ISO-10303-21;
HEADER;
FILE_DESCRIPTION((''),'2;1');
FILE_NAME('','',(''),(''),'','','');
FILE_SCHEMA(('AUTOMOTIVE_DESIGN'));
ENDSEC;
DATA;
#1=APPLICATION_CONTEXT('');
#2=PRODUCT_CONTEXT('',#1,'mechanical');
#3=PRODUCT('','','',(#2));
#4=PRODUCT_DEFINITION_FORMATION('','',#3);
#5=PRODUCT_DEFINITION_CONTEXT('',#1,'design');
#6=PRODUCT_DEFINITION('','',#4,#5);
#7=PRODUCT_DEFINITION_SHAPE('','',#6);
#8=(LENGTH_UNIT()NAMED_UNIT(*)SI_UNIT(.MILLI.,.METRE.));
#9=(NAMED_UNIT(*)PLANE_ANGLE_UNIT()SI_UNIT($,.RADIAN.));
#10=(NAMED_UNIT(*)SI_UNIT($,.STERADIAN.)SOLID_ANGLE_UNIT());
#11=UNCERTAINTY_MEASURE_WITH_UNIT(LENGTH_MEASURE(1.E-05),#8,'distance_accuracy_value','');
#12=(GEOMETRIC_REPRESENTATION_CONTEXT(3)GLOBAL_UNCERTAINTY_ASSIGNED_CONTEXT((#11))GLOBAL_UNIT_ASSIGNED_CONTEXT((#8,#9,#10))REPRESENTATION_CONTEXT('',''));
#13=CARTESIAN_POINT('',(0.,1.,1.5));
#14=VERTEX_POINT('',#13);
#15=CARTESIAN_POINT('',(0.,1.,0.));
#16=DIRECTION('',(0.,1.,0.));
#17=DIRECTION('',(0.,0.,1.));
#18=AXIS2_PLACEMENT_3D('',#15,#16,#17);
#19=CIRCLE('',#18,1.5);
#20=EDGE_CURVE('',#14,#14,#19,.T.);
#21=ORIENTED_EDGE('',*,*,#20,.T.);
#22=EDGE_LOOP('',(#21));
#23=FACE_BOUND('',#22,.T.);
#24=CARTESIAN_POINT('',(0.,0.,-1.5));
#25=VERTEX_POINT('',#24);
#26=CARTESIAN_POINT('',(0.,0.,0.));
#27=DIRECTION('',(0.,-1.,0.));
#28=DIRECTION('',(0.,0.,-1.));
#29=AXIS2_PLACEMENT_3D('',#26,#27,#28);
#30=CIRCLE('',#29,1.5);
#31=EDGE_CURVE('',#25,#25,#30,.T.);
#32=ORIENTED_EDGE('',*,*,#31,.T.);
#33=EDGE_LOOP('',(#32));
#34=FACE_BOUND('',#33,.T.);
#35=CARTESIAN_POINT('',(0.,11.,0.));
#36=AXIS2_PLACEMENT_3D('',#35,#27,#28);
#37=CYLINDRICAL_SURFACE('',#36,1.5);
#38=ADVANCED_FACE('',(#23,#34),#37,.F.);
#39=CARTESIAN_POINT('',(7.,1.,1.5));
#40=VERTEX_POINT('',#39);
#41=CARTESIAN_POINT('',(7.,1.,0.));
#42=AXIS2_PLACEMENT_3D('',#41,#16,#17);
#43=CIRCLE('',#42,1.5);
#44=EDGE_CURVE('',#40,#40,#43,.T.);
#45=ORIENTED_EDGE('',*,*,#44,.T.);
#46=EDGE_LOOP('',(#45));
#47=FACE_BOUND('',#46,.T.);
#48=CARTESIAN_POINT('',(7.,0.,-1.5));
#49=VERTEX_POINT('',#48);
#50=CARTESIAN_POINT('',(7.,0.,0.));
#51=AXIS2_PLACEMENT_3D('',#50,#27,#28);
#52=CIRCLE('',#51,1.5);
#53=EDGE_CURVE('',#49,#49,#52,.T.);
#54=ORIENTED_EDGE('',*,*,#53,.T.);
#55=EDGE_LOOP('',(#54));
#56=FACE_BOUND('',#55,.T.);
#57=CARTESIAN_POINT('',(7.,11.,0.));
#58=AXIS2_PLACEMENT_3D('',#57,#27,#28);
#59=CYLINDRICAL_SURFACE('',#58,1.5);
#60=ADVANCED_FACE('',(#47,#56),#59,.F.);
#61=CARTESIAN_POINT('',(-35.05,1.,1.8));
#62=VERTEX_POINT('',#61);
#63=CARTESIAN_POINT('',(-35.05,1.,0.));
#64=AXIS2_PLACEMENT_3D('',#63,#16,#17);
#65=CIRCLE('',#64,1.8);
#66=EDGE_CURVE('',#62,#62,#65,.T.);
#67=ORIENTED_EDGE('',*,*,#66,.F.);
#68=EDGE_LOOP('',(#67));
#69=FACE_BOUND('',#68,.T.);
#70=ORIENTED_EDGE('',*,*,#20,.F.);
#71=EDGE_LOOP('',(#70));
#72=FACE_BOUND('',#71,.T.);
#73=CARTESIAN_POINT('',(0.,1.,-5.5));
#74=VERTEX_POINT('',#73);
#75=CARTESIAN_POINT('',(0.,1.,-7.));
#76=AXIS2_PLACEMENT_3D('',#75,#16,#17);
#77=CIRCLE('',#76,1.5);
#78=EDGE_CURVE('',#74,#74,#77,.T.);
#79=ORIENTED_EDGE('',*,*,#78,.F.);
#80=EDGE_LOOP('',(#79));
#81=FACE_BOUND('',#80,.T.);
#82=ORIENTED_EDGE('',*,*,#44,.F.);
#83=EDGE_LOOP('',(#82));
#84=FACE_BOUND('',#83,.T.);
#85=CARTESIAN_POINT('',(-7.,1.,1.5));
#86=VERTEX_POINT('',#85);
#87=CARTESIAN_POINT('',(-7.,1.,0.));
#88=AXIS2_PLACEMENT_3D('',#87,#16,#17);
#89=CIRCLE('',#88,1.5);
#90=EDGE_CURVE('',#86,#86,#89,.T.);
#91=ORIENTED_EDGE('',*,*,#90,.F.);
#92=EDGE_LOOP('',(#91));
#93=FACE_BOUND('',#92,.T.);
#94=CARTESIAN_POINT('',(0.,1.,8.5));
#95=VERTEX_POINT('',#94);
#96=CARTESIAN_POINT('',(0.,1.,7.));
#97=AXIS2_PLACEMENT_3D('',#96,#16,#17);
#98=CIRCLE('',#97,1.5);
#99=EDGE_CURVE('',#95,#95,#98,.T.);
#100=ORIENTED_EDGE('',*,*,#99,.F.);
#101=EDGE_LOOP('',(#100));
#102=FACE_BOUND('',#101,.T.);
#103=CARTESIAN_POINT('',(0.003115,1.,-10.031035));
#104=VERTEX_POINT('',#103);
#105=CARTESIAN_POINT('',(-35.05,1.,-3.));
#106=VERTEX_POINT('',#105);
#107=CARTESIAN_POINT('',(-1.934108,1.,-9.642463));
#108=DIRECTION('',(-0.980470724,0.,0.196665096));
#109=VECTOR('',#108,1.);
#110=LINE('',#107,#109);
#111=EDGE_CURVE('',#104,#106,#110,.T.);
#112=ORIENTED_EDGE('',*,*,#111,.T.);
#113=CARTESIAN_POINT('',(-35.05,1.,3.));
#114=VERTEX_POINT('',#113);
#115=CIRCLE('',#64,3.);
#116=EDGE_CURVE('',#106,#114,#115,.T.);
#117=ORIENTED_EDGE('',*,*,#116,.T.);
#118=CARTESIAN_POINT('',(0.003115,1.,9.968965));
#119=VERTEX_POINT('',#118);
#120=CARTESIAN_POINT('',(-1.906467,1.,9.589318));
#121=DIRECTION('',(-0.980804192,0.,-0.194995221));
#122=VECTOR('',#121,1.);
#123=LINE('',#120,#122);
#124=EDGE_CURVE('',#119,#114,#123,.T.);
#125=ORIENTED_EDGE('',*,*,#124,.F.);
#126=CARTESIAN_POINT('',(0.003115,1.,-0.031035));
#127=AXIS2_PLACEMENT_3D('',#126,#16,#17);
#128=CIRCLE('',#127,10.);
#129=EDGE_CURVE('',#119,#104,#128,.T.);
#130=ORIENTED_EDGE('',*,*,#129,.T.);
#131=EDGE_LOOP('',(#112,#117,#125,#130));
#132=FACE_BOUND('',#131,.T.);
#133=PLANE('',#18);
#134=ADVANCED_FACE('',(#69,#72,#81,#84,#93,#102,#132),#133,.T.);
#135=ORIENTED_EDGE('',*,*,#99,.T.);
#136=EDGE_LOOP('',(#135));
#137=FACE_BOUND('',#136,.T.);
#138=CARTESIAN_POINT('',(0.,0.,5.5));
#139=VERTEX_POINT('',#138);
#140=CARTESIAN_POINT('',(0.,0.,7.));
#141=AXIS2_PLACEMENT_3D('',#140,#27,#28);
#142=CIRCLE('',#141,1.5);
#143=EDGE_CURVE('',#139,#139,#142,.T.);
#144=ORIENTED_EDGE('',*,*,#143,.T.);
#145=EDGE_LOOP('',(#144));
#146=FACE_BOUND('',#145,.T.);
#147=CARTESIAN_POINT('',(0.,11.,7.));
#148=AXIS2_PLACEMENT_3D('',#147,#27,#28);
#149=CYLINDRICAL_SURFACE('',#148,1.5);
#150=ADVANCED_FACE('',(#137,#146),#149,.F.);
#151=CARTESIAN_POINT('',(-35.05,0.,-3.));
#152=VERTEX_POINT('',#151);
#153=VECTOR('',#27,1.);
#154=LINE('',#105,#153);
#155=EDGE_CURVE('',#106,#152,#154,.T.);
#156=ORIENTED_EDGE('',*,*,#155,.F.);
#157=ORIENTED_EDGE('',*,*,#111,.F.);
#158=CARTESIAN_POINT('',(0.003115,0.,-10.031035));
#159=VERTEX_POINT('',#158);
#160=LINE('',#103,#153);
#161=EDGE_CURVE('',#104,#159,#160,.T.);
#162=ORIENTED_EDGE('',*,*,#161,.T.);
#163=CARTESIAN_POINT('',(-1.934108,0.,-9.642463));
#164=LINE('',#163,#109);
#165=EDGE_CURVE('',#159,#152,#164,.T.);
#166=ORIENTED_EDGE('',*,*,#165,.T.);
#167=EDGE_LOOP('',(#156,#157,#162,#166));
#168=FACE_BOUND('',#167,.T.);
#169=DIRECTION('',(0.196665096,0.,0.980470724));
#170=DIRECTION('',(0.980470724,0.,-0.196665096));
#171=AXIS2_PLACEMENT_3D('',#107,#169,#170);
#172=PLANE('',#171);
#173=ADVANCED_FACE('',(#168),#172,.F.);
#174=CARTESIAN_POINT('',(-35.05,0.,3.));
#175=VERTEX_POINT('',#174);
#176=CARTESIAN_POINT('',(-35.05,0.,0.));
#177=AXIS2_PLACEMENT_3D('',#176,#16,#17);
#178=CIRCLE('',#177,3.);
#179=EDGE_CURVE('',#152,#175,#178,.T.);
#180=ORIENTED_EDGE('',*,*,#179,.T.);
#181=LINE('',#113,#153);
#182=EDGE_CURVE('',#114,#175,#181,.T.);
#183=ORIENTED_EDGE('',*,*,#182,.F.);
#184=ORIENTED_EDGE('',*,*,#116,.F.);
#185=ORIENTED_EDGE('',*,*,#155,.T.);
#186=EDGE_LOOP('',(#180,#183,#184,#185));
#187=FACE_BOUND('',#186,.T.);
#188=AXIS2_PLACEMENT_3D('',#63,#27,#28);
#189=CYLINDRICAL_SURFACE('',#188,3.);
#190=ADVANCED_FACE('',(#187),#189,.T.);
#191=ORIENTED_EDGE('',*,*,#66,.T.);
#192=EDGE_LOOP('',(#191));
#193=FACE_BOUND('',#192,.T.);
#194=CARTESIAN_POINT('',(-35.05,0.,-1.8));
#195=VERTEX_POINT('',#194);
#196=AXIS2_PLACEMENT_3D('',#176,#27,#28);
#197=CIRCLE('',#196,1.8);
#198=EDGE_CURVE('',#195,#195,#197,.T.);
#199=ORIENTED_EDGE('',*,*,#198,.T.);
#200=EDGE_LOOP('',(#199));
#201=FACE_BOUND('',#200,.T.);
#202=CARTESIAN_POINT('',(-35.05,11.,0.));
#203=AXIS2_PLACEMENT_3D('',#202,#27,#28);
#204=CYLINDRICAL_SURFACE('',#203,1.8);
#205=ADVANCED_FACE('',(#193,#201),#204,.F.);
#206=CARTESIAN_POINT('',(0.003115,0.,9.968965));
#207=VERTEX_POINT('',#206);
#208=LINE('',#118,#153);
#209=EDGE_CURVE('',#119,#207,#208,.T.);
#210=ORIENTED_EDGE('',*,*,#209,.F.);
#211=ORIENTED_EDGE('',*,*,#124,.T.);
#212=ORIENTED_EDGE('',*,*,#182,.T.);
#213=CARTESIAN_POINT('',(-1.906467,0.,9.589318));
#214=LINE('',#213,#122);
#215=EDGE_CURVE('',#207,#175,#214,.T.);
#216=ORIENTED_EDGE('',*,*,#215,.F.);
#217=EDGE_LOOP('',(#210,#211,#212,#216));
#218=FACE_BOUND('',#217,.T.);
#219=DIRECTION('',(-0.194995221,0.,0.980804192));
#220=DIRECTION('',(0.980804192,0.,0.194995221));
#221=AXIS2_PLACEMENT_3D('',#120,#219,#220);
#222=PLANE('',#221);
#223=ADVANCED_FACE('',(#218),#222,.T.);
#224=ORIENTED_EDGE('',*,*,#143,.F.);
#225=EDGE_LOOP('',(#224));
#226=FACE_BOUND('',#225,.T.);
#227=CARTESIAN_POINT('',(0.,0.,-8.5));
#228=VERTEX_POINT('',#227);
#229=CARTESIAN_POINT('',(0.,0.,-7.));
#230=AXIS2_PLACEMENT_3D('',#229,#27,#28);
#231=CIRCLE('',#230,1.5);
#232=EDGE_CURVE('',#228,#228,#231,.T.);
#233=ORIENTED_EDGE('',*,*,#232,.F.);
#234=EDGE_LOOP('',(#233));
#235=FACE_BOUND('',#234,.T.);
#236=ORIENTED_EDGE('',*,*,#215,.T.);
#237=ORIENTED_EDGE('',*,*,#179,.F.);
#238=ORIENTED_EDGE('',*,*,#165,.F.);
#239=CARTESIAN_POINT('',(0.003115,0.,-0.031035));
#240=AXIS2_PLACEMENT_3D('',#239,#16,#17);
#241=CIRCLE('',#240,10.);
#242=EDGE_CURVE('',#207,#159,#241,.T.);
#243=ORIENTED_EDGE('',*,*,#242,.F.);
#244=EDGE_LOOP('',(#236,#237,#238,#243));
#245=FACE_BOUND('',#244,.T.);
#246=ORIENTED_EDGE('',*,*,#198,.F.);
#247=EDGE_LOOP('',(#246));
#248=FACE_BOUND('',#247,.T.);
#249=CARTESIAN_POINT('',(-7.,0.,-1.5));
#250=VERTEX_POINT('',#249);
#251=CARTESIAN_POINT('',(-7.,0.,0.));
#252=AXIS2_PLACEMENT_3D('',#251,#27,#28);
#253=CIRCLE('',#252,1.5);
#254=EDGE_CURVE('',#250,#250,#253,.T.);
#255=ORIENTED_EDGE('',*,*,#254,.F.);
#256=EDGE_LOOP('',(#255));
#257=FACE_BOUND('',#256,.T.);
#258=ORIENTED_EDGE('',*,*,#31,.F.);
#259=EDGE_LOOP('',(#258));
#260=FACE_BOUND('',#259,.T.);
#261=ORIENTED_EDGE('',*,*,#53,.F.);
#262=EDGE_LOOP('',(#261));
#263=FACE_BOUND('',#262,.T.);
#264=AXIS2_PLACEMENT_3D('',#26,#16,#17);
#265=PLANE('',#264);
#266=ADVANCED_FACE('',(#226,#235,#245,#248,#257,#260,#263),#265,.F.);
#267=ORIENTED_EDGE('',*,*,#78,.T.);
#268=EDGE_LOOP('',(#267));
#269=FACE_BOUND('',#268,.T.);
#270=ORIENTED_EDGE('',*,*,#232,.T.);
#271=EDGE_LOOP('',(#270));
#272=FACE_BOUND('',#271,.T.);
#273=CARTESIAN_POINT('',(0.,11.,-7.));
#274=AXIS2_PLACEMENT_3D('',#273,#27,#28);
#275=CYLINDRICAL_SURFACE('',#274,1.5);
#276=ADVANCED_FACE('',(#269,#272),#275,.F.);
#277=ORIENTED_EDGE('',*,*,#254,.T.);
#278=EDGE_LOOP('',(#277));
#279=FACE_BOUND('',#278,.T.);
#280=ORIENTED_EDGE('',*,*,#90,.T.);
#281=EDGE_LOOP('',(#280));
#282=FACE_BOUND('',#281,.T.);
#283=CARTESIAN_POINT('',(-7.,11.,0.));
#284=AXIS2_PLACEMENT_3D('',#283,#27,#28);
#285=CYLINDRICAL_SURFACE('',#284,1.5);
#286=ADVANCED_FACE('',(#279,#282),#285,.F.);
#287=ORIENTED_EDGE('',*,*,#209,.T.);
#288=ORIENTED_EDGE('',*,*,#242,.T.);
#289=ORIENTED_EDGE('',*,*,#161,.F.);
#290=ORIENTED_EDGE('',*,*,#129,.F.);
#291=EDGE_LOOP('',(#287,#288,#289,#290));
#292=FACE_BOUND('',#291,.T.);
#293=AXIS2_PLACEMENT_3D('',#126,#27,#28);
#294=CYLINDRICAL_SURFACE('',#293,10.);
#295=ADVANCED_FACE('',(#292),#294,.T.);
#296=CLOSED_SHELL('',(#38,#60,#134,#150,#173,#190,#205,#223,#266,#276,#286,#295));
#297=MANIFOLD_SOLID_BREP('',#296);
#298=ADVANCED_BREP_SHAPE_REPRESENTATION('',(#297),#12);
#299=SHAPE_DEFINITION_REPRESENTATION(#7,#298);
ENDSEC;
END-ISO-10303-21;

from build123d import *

# Parameters (mm, degrees)
BOSS_EXTRUDE1_DEPTH = 1
SKETCH5_R           = 1.5
SKETCH5_R_2         = 1.8
CUT_EXTRUDE4_DEPTH  = 11


with BuildPart() as part:
    # Sketch1 → Boss-Extrude1 (new body)
    with BuildSketch(Plane(origin=(0, 0, 0), x_dir=(1, 0, 0), z_dir=(0, 1, 0))):
        with BuildLine():
            Line((0.003114812, 10.031035213), (0.003114812, 0.031035213))
            Line((0.003114812, 0.031035213), (0.003114812, -9.968964787))
            ThreePointArc((0.003114812, -9.968964787), (7.074182624, -7.040032599), (10.003114812, 0.031035213))
            ThreePointArc((10.003114812, 0.031035213), (7.074182624, 7.102103025), (0.003114812, 10.031035213))
        make_face()
        with BuildLine():
            Line((-32.050001176, 0.002656129), (-9.996881269, 0.022181449))
            ThreePointArc((-9.996881269, 0.022181449), (-8.322945106, 5.569692653), (-3.853372565, 9.257492015))
            Line((-3.853372565, 9.257492015), (-35.05, 3))
            ThreePointArc((-35.05, 3), (-32.929618948, 2.122259219), (-32.050001176, 0.002656129))
        make_face()
        with BuildLine():
            Line((-9.996881269, 0.022181449), (0.003114812, 0.031035213))
            Line((0.003114812, 0.031035213), (0.003114812, 10.031035213))
            Line((0.003114812, 10.031035213), (-3.853372565, 9.257492015))
            ThreePointArc((-3.853372565, 9.257492015), (-8.322945106, 5.569692653), (-9.996881269, 0.022181449))
        make_face()
        with BuildLine():
            Line((0.003114812, -9.968964787), (0.003114812, 0.031035213))
            Line((0.003114812, 0.031035213), (-9.996881269, 0.022181449))
            ThreePointArc((-9.996881269, 0.022181449), (-8.308581959, -5.529153344), (-3.821927798, -9.20850206))
            Line((-3.821927798, -9.20850206), (0.003114812, -9.968964787))
        make_face()
        with BuildLine():
            ThreePointArc((-3.821927798, -9.20850206), (-8.308581959, -5.529153344), (-9.996881269, 0.022181449))
            Line((-9.996881269, 0.022181449), (-32.050001176, 0.002656129))
            ThreePointArc((-32.050001176, 0.002656129), (-32.050000294, 0.001328065), (-32.05, 0))
            ThreePointArc((-32.05, 0), (-32.928679656, -2.121320344), (-35.05, -3))
            Line((-35.05, -3), (-3.821927798, -9.20850206))
        make_face()
        with BuildLine():
            ThreePointArc((-32.05, 0), (-32.050000294, 0.001328065), (-32.050001176, 0.002656129))
            Line((-32.050001176, 0.002656129), (-35.05, 0))
            Line((-35.05, 0), (-35.05, -3))
            ThreePointArc((-35.05, -3), (-32.928679656, -2.121320344), (-32.05, 0))
        make_face()
        with BuildLine():
            Line((-35.05, 0), (-32.050001176, 0.002656129))
            ThreePointArc((-32.050001176, 0.002656129), (-32.929618948, 2.122259219), (-35.05, 3))
            Line((-35.05, 3), (-35.05, 0))
        make_face()
        with BuildLine():
            Line((-35.05, 0), (-35.05, 3))
            ThreePointArc((-35.05, 3), (-38.05, 0), (-35.05, -3))
            Line((-35.05, -3), (-35.05, 0))
        make_face()
    extrude(amount=BOSS_EXTRUDE1_DEPTH)

    # Sketch5 → Cut-Extrude4 (cut)
    with BuildSketch(Plane.XZ):
        with Locations(Location((0, 0, 0), (0, 0, 270))):
            Circle(SKETCH5_R)
        with Locations(Location((0, 7, 0), (0, 0, 270))):
            Circle(SKETCH5_R)
        with Locations(Location((-35.05, 0, 0), (0, 0, 270))):
            Circle(SKETCH5_R_2)
        with Locations(Location((-7, 0, 0), (0, 0, 270))):
            Circle(SKETCH5_R)
        with Locations(Location((7, 0, 0), (0, 0, 270))):
            Circle(SKETCH5_R)
        with Locations(Location((0, -7, 0), (0, 0, 270))):
            Circle(SKETCH5_R)
    extrude(amount=-CUT_EXTRUDE4_DEPTH, mode=Mode.SUBTRACT)


solid = part.part
